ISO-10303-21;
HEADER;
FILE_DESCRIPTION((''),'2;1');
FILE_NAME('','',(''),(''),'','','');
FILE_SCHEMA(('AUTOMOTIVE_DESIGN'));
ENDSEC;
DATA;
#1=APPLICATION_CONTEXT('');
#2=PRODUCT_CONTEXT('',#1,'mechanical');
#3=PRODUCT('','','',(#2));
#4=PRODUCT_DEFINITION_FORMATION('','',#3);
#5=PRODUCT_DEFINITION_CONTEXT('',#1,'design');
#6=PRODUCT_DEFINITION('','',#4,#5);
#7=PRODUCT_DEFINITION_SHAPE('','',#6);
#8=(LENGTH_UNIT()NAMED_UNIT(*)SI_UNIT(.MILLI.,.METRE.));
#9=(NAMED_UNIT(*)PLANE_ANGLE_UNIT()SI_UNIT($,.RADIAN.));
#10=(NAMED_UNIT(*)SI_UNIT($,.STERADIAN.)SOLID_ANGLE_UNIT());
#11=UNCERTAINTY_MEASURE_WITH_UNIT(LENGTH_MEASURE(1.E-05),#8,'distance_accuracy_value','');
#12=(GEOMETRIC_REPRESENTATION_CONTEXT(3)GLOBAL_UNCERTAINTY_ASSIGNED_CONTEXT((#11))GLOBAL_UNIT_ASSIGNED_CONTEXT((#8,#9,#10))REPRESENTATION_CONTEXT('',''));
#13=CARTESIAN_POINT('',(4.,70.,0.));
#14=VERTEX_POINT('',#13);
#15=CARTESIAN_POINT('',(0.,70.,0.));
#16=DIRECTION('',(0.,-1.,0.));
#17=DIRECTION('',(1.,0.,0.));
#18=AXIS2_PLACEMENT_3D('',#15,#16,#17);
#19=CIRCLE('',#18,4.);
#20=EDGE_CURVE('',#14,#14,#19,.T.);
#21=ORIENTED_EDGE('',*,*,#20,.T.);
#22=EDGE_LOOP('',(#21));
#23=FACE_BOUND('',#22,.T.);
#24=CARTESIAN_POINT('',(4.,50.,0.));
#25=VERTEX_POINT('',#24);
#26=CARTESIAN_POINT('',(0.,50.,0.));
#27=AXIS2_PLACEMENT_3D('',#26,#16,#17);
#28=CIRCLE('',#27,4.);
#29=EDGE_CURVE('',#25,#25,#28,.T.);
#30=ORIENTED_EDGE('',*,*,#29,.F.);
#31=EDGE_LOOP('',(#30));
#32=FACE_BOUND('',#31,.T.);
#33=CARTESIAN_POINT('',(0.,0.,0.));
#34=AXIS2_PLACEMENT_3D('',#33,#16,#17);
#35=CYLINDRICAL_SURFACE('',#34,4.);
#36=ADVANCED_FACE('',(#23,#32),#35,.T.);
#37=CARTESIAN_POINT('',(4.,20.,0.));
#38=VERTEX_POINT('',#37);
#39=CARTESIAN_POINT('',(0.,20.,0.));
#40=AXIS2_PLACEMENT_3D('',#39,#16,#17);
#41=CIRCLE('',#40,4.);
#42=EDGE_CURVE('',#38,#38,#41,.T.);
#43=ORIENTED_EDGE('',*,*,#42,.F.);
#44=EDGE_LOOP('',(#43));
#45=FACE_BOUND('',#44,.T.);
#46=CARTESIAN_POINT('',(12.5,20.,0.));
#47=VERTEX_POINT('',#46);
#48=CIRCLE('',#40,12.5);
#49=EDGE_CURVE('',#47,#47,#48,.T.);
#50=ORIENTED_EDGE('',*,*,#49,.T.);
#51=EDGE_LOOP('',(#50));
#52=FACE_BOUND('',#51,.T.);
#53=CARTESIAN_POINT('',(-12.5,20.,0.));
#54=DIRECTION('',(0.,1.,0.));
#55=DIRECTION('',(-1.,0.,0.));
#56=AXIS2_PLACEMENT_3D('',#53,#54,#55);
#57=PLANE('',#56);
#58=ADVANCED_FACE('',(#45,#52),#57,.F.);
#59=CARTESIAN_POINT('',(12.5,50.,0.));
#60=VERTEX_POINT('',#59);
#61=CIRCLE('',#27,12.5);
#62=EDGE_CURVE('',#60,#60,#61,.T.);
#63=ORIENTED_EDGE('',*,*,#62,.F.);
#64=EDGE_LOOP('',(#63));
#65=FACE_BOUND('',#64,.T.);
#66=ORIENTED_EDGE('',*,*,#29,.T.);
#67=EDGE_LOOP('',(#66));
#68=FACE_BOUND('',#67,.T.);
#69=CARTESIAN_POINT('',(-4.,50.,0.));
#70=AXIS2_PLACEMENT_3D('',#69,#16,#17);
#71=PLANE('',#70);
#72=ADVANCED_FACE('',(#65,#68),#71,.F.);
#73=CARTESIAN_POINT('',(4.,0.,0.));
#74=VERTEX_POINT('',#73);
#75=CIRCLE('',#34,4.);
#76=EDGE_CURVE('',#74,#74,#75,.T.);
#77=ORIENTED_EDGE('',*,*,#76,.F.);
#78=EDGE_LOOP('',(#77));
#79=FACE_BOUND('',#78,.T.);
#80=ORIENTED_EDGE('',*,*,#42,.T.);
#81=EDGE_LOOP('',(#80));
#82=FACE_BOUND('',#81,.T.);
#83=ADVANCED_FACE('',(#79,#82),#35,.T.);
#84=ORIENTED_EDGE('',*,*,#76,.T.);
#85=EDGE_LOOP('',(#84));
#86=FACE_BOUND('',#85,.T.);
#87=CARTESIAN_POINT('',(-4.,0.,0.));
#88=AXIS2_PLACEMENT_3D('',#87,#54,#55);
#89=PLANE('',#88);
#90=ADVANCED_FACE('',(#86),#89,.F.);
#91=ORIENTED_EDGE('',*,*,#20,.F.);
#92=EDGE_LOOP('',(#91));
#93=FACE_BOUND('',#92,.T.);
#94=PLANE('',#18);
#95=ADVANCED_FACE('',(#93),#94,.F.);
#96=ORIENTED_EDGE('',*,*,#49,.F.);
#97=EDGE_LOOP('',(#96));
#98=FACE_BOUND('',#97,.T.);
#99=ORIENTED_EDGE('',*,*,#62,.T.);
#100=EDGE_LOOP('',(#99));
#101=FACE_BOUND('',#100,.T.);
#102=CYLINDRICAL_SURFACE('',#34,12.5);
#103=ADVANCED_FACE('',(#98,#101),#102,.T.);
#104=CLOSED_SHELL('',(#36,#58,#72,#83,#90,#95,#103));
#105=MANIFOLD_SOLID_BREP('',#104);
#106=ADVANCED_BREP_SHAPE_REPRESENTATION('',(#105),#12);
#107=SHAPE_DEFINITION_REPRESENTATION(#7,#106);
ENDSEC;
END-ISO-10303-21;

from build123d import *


with BuildPart() as part:
    # Sketch1 → Revolve1 (revolve)
    with BuildSketch(Plane.XY, mode=Mode.PRIVATE) as revolve1_sk:
        Polygon((0, 70), (-4, 70), (-4, 50), (-12.5, 50), (-12.5, 20), (-4, 20), (-4, 0), (0, 0), align=None)
    revolve(revolve1_sk.sketch.rotate(Axis((0, 0, 0), (0, 1, 0)), 180), axis=Axis((0, 0, 0), (0, 1, 0)))


solid = part.part
